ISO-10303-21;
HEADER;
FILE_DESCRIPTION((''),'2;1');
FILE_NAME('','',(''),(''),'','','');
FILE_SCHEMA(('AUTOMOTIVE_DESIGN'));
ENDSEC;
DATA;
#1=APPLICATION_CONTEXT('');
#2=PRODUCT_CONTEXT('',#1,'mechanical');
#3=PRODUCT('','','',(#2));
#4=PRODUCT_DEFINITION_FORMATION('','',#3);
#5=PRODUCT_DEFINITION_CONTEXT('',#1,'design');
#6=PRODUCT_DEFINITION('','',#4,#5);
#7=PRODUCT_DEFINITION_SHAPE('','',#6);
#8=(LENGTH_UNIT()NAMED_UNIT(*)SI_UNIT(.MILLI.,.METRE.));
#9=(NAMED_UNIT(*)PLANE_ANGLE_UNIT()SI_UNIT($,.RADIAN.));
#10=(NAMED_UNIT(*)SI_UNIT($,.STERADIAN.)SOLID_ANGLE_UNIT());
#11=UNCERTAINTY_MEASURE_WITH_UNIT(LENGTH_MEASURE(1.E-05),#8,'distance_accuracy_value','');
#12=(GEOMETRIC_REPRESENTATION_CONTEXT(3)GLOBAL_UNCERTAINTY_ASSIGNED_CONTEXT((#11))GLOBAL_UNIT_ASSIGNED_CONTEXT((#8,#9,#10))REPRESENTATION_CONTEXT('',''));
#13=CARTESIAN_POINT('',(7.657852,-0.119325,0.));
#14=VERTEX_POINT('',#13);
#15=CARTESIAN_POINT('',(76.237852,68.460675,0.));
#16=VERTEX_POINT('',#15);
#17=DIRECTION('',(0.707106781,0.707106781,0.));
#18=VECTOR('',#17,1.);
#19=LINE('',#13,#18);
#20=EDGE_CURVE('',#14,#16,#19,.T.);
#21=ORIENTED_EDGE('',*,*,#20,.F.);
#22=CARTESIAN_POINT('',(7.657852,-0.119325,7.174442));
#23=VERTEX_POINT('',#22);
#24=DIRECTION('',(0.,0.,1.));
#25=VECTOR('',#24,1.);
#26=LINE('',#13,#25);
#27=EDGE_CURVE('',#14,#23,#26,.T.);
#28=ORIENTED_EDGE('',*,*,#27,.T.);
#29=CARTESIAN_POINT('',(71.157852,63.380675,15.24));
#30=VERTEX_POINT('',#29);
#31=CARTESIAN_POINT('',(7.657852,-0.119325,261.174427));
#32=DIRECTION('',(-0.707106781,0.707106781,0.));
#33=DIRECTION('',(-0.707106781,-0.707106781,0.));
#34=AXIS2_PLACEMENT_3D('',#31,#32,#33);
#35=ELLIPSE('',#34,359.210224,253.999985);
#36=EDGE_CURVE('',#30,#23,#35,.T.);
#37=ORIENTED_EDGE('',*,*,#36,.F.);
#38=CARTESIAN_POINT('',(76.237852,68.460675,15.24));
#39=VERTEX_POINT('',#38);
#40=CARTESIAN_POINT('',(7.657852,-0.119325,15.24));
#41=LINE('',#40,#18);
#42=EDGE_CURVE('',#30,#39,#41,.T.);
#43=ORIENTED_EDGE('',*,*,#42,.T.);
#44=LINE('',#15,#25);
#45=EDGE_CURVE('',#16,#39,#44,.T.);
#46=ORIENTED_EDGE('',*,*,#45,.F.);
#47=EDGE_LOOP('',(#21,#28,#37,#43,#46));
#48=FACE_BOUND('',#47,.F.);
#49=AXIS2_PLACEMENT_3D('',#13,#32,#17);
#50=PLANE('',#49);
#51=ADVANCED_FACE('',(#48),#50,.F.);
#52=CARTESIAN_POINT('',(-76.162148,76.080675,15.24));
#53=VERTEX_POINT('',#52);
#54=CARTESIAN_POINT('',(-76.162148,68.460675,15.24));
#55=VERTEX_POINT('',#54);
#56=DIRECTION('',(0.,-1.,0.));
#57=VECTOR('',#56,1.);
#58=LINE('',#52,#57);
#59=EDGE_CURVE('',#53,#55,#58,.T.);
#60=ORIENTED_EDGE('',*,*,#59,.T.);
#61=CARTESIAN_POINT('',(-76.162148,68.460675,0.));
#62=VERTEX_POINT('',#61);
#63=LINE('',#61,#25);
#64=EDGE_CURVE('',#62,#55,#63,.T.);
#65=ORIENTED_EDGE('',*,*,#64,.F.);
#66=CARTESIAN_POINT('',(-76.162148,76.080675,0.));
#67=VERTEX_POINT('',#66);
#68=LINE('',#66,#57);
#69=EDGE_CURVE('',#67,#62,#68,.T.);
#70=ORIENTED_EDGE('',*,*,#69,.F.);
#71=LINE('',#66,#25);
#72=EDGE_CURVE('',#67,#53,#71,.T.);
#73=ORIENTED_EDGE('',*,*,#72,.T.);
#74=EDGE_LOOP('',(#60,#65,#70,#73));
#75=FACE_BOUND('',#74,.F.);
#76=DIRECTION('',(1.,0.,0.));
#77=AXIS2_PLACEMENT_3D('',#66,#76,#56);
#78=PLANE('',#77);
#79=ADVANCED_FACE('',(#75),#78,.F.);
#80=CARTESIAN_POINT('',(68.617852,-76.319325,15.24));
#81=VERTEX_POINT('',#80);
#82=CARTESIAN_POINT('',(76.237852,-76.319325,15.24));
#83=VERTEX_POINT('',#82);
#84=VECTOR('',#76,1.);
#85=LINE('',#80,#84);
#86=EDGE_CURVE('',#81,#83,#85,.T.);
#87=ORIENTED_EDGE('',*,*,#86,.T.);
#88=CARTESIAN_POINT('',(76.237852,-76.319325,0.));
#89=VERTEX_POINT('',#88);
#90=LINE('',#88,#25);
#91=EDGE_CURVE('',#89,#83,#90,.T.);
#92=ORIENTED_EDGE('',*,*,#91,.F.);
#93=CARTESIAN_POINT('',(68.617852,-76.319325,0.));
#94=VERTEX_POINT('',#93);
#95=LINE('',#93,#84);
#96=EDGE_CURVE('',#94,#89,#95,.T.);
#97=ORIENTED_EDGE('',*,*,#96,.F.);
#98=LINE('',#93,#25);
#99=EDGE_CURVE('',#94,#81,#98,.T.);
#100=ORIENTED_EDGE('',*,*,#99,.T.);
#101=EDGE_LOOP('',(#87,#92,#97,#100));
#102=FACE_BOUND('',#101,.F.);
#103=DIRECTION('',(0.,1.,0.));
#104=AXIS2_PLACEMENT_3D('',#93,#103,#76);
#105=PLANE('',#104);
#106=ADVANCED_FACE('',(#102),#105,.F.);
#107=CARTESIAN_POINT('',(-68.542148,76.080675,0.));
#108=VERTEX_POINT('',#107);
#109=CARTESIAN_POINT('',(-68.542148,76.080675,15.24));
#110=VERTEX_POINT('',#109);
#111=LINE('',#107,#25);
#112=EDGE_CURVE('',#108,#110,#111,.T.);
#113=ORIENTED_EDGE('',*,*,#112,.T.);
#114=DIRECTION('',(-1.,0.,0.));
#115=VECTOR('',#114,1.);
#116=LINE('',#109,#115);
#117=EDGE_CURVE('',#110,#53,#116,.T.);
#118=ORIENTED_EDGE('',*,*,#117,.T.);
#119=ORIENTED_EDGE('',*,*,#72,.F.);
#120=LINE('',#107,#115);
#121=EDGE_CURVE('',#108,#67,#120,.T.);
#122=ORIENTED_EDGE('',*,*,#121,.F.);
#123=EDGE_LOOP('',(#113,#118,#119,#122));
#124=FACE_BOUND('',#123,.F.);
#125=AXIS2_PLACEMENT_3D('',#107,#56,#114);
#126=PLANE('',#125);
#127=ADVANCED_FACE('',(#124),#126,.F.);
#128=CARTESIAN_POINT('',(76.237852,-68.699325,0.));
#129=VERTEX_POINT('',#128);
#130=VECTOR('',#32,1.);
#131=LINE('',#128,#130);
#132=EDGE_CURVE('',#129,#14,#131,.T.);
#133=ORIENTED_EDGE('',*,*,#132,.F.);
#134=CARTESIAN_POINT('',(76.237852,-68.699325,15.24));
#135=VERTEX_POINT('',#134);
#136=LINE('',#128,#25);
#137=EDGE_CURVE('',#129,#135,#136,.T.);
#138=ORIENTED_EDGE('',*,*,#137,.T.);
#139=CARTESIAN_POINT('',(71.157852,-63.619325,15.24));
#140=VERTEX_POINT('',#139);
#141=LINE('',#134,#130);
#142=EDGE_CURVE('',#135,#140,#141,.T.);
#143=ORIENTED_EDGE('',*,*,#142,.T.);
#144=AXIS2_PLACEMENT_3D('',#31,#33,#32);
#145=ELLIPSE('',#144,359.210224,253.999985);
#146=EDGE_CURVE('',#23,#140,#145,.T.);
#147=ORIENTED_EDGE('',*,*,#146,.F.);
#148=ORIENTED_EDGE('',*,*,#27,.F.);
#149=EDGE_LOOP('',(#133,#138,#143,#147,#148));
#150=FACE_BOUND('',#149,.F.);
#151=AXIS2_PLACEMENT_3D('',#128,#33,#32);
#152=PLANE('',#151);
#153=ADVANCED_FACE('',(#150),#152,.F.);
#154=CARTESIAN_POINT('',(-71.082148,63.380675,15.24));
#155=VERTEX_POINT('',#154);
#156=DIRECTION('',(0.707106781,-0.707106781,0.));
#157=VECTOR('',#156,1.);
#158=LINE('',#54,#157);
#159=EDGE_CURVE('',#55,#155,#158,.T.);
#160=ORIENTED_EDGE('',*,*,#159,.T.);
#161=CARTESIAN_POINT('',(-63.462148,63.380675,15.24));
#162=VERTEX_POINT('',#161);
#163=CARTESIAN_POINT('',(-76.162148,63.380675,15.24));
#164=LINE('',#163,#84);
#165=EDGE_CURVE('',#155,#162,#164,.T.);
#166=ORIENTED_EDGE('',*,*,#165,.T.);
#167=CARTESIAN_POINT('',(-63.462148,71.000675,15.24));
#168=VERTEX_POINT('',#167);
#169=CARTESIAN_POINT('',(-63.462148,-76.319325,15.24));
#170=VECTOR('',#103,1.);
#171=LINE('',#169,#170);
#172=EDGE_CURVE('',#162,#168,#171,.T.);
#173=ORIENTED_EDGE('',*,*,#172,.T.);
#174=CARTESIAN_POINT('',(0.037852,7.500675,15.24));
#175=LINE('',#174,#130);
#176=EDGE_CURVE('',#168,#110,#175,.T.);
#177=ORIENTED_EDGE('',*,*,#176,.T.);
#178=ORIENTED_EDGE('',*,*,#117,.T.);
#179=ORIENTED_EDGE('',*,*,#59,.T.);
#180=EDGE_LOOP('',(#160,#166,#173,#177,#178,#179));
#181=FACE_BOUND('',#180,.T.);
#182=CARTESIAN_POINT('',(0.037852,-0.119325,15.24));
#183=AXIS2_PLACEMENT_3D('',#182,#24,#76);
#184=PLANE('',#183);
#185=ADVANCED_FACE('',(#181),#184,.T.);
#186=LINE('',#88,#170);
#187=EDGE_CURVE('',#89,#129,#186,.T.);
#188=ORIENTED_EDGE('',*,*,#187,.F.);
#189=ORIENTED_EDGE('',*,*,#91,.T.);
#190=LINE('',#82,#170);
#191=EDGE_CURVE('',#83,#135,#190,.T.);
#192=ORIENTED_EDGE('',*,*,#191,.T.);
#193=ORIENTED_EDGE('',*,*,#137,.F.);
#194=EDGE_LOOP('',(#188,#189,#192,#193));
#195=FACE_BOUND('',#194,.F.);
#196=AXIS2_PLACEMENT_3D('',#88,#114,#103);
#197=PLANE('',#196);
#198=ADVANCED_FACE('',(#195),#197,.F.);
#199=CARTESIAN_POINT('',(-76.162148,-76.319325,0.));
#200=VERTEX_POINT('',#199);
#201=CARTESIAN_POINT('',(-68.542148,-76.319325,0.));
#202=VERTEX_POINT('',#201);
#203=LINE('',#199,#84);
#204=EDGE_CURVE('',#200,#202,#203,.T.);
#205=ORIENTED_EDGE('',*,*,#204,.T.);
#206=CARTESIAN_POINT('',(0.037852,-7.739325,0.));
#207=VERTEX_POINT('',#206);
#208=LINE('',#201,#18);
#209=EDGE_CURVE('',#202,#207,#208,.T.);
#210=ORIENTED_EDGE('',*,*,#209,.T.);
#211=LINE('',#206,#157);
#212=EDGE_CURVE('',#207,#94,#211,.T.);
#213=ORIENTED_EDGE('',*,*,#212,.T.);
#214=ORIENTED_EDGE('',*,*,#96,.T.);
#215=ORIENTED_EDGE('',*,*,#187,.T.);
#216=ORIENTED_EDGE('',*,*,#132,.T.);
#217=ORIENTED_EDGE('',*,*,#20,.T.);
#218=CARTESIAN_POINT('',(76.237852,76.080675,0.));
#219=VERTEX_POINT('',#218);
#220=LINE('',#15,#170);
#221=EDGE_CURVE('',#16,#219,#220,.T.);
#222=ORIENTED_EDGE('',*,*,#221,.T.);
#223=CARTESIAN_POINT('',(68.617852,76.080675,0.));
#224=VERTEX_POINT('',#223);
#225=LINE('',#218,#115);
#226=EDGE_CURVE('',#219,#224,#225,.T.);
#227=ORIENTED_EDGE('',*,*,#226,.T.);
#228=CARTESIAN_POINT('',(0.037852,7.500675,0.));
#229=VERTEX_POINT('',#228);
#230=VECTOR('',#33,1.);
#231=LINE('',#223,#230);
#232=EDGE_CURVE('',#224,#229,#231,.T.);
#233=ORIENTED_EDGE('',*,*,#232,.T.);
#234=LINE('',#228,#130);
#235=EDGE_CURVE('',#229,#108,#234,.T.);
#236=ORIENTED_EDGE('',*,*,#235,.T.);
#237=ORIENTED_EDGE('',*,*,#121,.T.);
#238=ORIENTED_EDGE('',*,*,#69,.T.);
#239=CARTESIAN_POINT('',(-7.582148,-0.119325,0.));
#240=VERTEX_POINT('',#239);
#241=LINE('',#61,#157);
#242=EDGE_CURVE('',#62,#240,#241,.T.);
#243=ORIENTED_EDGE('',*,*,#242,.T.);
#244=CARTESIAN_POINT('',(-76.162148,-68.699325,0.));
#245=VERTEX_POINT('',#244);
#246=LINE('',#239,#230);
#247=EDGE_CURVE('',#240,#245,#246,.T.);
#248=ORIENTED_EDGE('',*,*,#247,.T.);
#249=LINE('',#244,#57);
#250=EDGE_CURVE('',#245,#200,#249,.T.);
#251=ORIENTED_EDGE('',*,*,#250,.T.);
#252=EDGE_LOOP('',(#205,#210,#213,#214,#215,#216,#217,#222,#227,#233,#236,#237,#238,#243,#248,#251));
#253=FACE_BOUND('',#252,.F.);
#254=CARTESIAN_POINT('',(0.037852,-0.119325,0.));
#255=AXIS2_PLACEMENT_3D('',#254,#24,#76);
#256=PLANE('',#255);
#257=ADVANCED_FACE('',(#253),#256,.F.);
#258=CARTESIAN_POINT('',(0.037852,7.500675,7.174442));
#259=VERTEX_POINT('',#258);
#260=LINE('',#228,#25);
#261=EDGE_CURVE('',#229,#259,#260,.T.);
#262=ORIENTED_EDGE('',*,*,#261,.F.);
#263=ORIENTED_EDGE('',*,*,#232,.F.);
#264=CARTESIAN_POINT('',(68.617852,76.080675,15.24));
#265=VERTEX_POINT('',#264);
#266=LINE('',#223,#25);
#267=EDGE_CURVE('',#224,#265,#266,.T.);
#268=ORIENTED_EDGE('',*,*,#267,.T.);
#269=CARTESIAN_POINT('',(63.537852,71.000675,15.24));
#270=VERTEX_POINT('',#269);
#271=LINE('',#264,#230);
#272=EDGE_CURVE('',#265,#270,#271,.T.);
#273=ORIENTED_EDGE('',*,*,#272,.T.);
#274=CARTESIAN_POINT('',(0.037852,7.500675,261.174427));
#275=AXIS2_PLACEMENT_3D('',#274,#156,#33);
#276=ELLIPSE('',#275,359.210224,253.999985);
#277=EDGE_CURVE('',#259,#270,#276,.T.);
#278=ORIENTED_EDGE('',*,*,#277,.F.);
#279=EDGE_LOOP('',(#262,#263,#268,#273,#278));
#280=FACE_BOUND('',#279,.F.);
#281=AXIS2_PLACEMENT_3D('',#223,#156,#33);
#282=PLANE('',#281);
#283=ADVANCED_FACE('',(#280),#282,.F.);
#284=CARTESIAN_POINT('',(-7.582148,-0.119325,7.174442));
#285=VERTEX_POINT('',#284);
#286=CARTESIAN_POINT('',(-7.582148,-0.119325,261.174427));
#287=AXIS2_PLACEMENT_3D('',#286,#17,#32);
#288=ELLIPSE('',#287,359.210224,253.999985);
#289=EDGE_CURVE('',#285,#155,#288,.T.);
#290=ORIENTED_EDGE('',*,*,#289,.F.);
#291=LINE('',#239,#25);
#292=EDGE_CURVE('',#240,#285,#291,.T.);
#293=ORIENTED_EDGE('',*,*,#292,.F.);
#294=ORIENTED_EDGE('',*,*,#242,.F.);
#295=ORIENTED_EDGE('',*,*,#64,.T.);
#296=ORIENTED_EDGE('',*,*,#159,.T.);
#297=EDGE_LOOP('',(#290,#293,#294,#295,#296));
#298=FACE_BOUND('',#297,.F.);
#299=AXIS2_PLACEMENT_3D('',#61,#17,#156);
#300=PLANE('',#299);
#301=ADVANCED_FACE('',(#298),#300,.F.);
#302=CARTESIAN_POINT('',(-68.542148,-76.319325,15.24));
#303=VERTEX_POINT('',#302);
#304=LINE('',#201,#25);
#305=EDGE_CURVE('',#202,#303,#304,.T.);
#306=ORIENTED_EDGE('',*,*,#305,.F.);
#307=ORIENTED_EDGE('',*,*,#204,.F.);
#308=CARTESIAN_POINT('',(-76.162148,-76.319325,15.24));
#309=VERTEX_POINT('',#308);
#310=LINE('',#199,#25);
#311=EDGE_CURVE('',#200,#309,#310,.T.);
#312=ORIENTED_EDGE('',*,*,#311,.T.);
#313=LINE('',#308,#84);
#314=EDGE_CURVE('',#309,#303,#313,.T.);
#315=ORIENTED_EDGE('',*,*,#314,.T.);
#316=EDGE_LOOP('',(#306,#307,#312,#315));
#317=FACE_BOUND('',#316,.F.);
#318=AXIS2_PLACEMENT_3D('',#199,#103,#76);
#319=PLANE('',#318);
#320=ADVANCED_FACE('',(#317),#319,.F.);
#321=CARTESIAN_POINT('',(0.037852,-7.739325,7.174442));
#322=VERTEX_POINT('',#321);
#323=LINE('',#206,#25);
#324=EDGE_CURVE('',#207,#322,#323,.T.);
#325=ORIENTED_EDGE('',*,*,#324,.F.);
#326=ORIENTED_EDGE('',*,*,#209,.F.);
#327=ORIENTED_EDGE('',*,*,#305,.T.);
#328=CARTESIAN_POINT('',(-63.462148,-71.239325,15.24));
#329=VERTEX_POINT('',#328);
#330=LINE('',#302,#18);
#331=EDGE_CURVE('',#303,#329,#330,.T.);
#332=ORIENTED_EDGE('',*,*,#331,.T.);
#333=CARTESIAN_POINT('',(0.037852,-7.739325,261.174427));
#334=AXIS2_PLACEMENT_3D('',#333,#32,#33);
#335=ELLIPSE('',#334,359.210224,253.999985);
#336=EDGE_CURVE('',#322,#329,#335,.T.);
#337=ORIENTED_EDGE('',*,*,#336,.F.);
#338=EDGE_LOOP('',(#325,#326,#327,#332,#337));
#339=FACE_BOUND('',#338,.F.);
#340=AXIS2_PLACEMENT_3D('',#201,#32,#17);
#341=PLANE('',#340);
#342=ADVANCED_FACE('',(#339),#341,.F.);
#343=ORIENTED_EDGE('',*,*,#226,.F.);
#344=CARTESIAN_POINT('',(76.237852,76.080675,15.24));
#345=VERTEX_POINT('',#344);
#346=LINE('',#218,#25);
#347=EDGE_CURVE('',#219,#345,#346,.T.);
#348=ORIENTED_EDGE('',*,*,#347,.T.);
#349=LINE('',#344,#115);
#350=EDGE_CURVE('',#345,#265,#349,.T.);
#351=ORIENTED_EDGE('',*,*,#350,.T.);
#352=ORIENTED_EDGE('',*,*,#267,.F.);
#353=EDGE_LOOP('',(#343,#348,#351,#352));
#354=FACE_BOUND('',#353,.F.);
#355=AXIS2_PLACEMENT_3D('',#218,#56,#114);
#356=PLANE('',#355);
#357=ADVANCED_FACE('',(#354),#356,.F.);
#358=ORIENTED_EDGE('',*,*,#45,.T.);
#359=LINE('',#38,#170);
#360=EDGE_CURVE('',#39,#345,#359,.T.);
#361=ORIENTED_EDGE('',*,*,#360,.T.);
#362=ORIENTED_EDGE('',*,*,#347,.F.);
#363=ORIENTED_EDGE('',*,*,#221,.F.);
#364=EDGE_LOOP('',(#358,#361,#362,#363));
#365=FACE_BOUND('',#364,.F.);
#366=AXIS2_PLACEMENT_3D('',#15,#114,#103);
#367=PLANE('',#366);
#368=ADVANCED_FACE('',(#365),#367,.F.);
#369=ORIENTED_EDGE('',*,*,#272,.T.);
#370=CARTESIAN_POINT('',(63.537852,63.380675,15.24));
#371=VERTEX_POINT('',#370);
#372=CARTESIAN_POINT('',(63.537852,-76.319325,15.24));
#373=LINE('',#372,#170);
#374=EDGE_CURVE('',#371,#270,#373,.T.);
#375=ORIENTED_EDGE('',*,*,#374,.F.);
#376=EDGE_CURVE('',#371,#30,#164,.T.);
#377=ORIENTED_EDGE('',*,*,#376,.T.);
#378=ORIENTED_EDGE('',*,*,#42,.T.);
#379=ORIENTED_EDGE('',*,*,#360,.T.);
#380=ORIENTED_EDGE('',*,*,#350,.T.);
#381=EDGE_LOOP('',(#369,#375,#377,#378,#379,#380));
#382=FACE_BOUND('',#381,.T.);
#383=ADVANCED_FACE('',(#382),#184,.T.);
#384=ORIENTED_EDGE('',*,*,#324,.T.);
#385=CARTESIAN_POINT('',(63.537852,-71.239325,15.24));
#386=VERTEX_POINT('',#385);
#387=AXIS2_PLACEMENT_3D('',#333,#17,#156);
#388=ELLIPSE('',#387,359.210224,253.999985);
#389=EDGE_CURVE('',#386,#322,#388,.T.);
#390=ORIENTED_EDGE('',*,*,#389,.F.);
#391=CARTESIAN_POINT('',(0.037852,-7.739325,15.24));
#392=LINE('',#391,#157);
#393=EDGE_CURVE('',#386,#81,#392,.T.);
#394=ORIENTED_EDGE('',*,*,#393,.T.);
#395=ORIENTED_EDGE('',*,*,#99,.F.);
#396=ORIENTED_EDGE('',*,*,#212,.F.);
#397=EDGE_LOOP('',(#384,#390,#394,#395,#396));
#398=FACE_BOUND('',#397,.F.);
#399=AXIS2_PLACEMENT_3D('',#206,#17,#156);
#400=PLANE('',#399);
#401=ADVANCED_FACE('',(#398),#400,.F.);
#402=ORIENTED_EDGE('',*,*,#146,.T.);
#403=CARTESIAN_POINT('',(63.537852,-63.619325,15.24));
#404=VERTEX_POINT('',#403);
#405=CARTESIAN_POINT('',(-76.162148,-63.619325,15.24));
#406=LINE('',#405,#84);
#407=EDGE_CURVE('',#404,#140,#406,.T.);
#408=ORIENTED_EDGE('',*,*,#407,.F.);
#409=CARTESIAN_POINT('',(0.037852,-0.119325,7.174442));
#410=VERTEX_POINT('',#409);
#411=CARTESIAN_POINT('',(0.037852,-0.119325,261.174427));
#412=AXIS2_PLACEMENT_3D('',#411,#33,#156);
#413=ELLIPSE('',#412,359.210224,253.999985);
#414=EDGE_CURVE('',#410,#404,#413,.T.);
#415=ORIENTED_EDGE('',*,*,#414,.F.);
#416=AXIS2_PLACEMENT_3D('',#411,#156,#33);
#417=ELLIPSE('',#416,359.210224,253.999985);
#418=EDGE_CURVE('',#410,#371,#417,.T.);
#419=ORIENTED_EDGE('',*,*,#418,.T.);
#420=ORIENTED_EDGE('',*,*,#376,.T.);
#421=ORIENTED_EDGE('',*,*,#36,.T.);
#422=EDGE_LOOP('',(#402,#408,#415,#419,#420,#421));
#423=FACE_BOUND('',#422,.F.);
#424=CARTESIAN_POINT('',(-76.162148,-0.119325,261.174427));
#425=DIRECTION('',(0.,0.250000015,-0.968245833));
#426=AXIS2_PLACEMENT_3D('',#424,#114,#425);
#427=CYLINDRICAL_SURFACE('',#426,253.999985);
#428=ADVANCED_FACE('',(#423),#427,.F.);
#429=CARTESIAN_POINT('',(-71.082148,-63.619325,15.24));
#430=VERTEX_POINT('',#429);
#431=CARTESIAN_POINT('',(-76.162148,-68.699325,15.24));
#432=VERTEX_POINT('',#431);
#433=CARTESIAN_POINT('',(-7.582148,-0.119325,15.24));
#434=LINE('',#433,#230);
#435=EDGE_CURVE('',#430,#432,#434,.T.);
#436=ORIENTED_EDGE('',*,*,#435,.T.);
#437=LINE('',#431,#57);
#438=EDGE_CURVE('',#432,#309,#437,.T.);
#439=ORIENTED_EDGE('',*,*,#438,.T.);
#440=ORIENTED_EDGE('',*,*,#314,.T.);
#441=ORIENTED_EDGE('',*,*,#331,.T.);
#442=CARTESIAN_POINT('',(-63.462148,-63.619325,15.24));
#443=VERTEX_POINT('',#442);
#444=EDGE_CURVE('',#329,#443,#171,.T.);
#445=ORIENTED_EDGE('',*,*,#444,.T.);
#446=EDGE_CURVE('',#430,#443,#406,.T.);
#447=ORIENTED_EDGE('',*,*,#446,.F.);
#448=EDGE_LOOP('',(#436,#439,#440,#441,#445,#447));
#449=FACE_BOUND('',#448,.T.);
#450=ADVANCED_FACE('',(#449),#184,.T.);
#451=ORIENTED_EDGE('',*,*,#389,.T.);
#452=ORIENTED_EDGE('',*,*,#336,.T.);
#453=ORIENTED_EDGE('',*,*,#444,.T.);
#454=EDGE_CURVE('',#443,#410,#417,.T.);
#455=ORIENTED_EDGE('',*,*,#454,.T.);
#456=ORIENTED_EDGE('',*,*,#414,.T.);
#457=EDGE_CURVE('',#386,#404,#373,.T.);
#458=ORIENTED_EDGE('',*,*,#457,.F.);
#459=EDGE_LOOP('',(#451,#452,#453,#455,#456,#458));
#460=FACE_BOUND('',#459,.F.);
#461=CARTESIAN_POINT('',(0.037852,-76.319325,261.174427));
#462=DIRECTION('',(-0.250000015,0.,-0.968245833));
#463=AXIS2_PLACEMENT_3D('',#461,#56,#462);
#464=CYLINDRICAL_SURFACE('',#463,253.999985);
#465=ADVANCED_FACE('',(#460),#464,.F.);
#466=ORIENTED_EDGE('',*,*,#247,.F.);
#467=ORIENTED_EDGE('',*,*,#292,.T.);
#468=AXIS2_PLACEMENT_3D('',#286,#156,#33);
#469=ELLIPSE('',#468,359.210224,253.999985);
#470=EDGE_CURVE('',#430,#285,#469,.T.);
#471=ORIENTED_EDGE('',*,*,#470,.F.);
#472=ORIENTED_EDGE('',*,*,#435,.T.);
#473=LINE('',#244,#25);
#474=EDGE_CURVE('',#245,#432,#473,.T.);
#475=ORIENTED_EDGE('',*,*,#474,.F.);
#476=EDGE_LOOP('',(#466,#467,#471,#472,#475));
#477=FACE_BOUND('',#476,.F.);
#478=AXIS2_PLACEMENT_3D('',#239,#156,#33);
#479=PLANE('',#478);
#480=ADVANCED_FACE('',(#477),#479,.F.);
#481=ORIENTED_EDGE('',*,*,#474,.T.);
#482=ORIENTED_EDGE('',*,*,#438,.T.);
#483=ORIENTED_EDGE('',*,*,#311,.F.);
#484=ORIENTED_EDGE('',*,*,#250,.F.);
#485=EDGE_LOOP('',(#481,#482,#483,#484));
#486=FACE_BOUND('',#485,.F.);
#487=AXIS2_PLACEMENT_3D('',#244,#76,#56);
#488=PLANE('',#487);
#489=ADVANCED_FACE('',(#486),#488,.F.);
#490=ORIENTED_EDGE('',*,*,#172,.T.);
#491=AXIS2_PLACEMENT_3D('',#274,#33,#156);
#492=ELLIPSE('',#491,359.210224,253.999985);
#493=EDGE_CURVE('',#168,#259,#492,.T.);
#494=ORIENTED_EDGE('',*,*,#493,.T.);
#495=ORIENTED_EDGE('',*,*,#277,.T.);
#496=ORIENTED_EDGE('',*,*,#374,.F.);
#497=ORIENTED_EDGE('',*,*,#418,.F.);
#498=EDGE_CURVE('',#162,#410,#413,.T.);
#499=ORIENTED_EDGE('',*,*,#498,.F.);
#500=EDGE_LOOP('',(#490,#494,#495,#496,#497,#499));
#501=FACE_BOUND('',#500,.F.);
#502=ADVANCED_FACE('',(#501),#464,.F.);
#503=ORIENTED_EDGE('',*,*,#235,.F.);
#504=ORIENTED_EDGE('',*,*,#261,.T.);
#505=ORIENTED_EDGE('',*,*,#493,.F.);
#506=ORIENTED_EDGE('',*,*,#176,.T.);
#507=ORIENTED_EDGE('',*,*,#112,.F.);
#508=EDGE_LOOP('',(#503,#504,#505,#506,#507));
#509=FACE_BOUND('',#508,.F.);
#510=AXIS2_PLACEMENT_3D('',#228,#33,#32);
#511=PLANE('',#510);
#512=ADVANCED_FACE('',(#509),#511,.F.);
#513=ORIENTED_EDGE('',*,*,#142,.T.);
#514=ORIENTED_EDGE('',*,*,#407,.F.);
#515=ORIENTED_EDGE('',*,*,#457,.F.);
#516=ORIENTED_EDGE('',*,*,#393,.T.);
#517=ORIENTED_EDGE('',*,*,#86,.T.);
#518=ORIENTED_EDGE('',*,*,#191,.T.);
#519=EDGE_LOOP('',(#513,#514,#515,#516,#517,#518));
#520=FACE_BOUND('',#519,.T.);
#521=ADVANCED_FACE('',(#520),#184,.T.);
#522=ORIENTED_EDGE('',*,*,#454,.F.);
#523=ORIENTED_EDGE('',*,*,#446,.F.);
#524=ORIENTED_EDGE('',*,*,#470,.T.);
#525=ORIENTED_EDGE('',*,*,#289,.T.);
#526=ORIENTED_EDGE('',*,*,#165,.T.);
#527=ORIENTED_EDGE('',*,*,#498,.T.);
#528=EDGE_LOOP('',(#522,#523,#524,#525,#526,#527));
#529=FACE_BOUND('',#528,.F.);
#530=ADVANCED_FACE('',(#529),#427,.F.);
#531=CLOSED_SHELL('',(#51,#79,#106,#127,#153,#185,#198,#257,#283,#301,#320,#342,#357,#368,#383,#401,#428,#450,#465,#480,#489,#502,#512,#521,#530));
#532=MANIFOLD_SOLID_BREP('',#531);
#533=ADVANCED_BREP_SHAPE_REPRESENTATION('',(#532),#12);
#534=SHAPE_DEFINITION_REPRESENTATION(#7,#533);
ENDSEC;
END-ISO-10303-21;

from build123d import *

# Parameters (mm, degrees)
F1_DEPTH = 15.24
F3_DEPTH = 152.401
F5_DEPTH = 152.401


with BuildPart() as f1:
    # F0 (on Top) → F1 (new body)
    with BuildSketch(Plane.XY):
        Polygon((-68.542148, 76.080675), (-76.162148, 76.080675), (-76.162148, 68.460675), (-7.582148, -0.119325), (-76.162148, -68.699325), (-76.162148, -76.319325), (-68.542148, -76.319325), (0.037852, -7.739325), (68.617852, -76.319325), (76.237852, -76.319325), (76.237852, -68.699325), (7.657852, -0.119325), (76.237852, 68.460675), (76.237852, 76.080675), (68.617852, 76.080675), (0.037852, 7.500675), align=None)
    extrude(amount=F1_DEPTH)

    # F2 (on face) → F3 (cut, through all)
    with BuildSketch(Plane.XZ.offset(76.319325)):
        with BuildLine():
            Line((63.537852, 15.24), (-63.462148, 15.24))
            ThreePointArc((-63.462148, 15.24), (0.037852, 7.174442), (63.537852, 15.24))
        make_face()
    extrude(amount=-F3_DEPTH, mode=Mode.SUBTRACT)

    # F4 (on face) → F5 (cut, through all)
    with BuildSketch(Plane(origin=(-76.162148, 0, 0), x_dir=(0, -1, 0), z_dir=(-1, 0, 0))):
        with BuildLine():
            Line((63.619325, 15.24), (-63.380675, 15.24))
            ThreePointArc((-63.380675, 15.24), (0.119325, 7.174442), (63.619325, 15.24))
        make_face()
    extrude(amount=-F5_DEPTH, mode=Mode.SUBTRACT)


solid = f1.part
